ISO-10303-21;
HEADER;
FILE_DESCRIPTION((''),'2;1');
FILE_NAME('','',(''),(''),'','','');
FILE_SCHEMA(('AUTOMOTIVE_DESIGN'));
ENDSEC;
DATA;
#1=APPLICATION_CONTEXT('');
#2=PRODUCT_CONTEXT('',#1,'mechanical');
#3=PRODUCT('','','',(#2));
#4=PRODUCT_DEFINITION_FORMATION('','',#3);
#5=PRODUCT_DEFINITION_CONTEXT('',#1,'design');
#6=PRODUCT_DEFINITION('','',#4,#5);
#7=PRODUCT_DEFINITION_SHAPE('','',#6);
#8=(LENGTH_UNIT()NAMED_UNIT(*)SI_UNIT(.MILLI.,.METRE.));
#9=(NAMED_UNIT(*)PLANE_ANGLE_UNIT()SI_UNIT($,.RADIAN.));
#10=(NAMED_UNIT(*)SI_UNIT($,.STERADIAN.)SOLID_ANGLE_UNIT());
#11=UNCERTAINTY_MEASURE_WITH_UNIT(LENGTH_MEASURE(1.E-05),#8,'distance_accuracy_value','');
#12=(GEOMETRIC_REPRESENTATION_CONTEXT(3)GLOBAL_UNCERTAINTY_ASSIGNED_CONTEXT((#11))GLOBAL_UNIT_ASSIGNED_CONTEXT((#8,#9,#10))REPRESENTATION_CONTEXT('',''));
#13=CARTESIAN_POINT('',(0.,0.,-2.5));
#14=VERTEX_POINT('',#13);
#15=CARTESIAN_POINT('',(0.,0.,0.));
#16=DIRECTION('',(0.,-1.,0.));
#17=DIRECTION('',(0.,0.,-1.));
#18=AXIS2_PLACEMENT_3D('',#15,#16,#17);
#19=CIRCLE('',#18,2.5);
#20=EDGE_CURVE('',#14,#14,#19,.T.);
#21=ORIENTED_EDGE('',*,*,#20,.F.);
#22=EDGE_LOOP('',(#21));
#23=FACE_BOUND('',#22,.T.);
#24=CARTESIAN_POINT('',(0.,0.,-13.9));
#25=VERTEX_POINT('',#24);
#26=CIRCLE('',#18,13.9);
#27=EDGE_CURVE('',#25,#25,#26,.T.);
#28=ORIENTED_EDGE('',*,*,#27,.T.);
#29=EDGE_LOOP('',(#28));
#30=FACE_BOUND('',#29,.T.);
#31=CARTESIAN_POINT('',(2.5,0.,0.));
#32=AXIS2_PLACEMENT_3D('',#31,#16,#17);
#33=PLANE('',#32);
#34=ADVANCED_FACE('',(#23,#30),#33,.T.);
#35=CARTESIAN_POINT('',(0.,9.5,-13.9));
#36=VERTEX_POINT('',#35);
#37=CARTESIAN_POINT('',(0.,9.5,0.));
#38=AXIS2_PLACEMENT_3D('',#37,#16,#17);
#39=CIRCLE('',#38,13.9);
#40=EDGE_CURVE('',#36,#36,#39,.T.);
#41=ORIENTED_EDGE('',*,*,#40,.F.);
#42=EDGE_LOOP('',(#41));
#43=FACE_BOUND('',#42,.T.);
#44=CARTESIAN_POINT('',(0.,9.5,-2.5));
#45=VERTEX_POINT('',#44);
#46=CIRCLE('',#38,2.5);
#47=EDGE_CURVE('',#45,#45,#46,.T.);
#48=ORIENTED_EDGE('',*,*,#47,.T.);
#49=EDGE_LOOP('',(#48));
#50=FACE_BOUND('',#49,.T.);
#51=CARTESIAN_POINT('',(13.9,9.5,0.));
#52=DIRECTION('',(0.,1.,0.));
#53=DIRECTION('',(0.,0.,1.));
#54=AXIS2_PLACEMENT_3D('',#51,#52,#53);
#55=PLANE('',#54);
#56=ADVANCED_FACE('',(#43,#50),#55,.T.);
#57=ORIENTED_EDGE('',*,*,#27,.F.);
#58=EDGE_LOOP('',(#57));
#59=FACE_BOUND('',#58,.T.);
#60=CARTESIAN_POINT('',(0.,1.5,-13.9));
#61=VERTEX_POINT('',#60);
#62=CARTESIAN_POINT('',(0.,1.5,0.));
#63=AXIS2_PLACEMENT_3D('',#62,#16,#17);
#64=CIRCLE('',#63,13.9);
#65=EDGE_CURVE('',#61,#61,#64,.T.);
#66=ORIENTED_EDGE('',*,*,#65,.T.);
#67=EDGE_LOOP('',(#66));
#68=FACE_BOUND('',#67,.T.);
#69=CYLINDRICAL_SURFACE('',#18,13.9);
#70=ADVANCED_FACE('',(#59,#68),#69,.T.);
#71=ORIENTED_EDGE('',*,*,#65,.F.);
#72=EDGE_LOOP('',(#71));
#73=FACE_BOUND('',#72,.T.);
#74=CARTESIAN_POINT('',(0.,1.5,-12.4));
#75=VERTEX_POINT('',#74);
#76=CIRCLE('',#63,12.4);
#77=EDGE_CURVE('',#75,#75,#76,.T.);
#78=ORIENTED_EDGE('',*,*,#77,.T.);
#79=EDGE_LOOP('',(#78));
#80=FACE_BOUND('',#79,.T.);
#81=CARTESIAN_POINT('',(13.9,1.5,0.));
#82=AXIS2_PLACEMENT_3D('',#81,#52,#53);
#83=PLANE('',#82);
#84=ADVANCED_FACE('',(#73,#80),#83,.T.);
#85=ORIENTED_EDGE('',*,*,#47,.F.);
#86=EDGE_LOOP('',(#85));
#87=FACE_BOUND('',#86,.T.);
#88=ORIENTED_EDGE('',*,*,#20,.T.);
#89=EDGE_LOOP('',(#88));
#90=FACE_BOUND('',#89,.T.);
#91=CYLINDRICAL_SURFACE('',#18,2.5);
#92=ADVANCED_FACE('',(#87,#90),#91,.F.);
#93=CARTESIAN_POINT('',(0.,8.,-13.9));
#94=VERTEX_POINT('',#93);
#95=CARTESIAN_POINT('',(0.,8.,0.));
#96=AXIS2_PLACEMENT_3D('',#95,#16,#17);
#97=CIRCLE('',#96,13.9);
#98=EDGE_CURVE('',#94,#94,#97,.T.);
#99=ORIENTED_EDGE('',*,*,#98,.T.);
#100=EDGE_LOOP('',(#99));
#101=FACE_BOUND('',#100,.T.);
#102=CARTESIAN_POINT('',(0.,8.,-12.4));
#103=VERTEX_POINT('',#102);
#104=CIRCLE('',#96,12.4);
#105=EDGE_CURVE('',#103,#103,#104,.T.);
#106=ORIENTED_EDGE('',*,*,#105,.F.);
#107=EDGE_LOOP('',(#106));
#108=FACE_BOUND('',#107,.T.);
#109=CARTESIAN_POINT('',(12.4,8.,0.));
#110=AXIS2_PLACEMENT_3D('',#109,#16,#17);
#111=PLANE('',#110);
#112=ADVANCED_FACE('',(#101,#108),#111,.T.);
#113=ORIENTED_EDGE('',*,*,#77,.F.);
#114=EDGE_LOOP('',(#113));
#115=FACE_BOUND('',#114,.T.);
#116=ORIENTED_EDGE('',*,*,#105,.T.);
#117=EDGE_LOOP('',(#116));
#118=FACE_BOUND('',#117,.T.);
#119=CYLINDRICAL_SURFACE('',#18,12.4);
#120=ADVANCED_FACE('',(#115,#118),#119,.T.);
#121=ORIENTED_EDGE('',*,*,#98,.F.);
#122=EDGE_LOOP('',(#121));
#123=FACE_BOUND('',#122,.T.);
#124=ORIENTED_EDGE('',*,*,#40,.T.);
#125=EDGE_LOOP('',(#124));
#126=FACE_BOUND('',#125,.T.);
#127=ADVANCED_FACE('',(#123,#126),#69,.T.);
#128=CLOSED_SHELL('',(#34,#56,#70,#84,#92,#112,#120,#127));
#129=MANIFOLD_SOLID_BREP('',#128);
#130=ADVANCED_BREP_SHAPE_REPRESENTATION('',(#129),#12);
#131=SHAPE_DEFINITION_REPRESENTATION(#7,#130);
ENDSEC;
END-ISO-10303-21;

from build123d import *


with BuildPart() as part:
    # Esquisse1 → Révolution1 (revolve)
    with BuildSketch(Plane.XY, mode=Mode.PRIVATE) as r_volution1_sk:
        Polygon((2.5, 0), (13.9, 0), (13.9, 1.5), (12.4, 1.5), (12.4, 8), (13.9, 8), (13.9, 9.5), (2.5, 9.5), align=None)
    revolve(r_volution1_sk.sketch.rotate(Axis((0, 0, 0), (0, 1, 0)), 90), axis=Axis((0, 0, 0), (0, 1, 0)))


solid = part.part
